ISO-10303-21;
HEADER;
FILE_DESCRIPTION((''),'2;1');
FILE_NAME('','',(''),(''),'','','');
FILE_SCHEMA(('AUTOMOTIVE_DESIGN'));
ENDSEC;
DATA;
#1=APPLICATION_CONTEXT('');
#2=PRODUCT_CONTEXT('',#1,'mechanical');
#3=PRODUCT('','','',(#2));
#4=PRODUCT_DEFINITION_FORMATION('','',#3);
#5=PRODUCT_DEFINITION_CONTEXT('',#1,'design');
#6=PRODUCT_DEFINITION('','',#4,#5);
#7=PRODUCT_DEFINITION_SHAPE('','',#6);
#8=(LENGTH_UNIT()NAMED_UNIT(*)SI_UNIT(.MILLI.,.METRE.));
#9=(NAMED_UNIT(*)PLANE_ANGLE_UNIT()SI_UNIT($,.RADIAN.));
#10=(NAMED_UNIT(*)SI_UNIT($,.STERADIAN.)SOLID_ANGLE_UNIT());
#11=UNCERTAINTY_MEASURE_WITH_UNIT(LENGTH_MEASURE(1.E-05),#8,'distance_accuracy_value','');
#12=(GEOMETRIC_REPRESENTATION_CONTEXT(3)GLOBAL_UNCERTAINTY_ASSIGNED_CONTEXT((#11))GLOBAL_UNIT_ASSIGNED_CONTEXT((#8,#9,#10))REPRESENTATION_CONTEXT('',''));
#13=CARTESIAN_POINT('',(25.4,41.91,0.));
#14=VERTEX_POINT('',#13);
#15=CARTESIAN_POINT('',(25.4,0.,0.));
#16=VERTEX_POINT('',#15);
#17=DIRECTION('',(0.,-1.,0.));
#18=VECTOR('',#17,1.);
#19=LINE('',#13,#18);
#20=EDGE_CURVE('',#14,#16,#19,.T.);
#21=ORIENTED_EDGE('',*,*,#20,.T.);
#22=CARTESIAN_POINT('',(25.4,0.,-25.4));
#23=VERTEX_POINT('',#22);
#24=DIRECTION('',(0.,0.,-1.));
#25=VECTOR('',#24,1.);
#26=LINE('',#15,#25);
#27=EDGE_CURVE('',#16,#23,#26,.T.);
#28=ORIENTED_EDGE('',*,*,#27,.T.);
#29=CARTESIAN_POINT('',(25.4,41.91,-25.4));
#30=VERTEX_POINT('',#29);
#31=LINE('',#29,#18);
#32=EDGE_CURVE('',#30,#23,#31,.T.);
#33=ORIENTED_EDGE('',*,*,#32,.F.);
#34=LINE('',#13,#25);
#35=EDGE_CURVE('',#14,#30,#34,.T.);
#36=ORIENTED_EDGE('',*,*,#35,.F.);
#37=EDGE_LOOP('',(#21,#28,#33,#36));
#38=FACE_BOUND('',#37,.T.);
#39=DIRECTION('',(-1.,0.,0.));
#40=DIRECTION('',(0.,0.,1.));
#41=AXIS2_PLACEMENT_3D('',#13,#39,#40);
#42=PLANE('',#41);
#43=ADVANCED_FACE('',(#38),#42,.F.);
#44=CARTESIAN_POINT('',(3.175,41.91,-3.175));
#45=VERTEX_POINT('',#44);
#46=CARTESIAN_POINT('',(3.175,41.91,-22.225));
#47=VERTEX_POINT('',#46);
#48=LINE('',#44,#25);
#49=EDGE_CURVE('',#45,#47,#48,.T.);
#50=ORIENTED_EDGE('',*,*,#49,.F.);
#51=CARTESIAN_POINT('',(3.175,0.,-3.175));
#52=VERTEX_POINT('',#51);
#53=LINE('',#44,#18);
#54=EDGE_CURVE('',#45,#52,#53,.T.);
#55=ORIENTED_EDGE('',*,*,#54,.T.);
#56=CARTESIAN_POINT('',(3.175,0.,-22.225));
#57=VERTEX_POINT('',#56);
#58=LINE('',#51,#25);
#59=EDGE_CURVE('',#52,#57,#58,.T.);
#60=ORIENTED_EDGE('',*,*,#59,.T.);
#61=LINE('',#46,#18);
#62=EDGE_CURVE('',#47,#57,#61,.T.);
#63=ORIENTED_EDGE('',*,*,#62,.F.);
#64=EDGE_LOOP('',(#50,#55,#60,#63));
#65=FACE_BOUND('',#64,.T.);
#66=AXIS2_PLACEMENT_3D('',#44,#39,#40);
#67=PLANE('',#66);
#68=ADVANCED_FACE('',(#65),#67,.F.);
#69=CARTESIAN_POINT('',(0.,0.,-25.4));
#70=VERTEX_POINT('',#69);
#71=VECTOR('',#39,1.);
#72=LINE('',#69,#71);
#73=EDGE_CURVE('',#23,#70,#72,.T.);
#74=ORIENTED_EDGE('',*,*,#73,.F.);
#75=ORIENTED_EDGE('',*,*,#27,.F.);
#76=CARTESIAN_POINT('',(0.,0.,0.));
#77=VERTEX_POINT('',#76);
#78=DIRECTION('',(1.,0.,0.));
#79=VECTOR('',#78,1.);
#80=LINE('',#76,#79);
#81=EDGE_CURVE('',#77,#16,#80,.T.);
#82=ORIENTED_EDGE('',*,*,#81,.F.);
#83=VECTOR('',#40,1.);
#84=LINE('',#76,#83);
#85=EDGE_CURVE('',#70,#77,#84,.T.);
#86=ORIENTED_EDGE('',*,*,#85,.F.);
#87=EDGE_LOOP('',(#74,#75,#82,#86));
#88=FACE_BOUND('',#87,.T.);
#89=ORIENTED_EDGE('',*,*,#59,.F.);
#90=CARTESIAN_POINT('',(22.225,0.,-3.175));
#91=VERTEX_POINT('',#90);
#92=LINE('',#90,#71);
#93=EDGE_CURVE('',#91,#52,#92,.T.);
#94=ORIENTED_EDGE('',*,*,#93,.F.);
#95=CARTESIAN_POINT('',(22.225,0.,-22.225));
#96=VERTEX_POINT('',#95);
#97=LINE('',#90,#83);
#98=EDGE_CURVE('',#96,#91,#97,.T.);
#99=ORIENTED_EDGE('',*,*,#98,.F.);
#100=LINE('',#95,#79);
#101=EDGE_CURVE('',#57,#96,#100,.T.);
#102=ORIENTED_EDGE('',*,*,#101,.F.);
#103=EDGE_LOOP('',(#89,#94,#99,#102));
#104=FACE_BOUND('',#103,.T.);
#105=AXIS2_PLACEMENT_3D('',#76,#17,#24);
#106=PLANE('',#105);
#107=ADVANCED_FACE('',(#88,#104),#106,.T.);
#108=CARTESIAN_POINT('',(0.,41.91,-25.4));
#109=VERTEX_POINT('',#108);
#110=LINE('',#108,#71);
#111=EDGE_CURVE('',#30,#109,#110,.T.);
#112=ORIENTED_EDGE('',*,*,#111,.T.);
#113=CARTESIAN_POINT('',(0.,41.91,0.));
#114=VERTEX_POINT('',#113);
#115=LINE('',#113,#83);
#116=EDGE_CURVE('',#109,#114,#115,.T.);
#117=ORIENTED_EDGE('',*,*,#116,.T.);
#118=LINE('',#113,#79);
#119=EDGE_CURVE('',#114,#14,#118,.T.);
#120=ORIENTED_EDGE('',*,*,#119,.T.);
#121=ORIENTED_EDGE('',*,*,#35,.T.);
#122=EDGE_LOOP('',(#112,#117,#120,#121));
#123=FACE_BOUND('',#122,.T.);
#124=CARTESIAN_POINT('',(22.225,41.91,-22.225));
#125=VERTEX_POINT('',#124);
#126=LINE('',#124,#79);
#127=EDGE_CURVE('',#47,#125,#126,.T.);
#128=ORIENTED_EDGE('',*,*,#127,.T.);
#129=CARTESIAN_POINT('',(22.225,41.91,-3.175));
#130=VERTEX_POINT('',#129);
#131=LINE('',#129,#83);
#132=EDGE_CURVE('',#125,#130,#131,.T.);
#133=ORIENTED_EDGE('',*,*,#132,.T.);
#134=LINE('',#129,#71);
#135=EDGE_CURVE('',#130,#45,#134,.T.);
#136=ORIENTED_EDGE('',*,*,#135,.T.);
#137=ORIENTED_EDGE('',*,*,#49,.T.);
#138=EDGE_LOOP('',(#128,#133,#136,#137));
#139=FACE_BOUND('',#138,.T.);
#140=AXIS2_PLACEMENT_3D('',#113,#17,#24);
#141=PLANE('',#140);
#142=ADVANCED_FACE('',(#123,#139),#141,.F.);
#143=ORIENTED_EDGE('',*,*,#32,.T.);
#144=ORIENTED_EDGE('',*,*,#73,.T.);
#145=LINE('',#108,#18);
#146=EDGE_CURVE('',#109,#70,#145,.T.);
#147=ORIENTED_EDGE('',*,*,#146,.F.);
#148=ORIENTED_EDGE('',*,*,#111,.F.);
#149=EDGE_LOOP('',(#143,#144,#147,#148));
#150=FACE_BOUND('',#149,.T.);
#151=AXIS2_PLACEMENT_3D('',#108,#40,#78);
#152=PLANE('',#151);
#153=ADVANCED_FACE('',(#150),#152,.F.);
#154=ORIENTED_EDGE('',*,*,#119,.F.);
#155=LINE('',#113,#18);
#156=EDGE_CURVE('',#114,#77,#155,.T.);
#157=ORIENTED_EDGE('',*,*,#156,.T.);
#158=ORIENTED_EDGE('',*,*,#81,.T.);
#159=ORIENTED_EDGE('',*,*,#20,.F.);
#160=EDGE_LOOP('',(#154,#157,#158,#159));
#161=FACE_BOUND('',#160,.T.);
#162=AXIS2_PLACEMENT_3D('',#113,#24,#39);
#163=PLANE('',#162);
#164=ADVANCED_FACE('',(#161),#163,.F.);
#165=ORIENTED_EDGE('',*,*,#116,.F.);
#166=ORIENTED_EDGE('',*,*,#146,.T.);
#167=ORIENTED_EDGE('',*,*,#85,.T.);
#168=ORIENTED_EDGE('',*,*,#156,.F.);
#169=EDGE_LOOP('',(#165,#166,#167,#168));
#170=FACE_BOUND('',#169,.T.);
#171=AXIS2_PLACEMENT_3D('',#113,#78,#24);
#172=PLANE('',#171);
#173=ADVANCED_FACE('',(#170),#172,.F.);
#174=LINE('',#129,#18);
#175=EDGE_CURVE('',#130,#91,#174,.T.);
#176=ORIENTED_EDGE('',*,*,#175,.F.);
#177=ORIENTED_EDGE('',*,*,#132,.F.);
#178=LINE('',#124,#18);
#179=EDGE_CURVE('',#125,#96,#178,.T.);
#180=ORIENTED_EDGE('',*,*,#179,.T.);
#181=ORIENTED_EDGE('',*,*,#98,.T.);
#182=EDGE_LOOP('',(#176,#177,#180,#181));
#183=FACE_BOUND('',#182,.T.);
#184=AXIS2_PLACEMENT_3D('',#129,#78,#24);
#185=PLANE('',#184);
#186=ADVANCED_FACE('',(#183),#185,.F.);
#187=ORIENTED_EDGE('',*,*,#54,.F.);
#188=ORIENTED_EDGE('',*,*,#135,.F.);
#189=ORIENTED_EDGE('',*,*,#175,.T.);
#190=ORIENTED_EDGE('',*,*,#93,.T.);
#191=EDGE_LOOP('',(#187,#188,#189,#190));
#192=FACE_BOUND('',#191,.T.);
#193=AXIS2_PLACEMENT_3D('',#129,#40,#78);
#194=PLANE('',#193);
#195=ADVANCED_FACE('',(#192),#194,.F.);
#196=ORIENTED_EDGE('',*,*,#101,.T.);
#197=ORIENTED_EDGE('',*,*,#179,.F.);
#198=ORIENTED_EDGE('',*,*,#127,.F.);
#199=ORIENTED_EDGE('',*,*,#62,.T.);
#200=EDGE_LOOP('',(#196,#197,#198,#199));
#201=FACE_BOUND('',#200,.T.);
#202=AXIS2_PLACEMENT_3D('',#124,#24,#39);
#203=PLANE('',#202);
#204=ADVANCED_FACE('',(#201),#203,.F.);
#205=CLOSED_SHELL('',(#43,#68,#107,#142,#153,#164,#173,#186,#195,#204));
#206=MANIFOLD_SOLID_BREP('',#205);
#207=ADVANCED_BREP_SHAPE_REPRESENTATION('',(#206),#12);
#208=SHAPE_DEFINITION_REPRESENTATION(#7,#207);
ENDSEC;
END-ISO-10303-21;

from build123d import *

# Parameters (mm, degrees)
SKETCH1_W           = 25.4
SKETCH1_H           = 25.4
BOSS_EXTRUDE1_DEPTH = 41.91
SKETCH4_W           = 19.05
SKETCH4_H           = 19.05
CUT_EXTRUDE2_DEPTH  = 56.197537083


with BuildPart() as part:
    # Sketch1 → Boss-Extrude1 (new body)
    with BuildSketch(Plane(origin=(0, 0, 0), x_dir=(1, 0, 0), z_dir=(0, 1, 0))):
        with Locations((12.7, 12.7)):
            Rectangle(SKETCH1_W, SKETCH1_H)
    extrude(amount=BOSS_EXTRUDE1_DEPTH)

    # Sketch4 → Cut-Extrude2 (cut, through all)
    with BuildSketch(Plane(origin=(0, 0, 0), x_dir=(-1, 0, 0), z_dir=(0, -1, 0))):
        with Locations((-12.7, 12.7)):
            Rectangle(SKETCH4_W, SKETCH4_H)
    extrude(amount=-CUT_EXTRUDE2_DEPTH, mode=Mode.SUBTRACT)


solid = part.part
